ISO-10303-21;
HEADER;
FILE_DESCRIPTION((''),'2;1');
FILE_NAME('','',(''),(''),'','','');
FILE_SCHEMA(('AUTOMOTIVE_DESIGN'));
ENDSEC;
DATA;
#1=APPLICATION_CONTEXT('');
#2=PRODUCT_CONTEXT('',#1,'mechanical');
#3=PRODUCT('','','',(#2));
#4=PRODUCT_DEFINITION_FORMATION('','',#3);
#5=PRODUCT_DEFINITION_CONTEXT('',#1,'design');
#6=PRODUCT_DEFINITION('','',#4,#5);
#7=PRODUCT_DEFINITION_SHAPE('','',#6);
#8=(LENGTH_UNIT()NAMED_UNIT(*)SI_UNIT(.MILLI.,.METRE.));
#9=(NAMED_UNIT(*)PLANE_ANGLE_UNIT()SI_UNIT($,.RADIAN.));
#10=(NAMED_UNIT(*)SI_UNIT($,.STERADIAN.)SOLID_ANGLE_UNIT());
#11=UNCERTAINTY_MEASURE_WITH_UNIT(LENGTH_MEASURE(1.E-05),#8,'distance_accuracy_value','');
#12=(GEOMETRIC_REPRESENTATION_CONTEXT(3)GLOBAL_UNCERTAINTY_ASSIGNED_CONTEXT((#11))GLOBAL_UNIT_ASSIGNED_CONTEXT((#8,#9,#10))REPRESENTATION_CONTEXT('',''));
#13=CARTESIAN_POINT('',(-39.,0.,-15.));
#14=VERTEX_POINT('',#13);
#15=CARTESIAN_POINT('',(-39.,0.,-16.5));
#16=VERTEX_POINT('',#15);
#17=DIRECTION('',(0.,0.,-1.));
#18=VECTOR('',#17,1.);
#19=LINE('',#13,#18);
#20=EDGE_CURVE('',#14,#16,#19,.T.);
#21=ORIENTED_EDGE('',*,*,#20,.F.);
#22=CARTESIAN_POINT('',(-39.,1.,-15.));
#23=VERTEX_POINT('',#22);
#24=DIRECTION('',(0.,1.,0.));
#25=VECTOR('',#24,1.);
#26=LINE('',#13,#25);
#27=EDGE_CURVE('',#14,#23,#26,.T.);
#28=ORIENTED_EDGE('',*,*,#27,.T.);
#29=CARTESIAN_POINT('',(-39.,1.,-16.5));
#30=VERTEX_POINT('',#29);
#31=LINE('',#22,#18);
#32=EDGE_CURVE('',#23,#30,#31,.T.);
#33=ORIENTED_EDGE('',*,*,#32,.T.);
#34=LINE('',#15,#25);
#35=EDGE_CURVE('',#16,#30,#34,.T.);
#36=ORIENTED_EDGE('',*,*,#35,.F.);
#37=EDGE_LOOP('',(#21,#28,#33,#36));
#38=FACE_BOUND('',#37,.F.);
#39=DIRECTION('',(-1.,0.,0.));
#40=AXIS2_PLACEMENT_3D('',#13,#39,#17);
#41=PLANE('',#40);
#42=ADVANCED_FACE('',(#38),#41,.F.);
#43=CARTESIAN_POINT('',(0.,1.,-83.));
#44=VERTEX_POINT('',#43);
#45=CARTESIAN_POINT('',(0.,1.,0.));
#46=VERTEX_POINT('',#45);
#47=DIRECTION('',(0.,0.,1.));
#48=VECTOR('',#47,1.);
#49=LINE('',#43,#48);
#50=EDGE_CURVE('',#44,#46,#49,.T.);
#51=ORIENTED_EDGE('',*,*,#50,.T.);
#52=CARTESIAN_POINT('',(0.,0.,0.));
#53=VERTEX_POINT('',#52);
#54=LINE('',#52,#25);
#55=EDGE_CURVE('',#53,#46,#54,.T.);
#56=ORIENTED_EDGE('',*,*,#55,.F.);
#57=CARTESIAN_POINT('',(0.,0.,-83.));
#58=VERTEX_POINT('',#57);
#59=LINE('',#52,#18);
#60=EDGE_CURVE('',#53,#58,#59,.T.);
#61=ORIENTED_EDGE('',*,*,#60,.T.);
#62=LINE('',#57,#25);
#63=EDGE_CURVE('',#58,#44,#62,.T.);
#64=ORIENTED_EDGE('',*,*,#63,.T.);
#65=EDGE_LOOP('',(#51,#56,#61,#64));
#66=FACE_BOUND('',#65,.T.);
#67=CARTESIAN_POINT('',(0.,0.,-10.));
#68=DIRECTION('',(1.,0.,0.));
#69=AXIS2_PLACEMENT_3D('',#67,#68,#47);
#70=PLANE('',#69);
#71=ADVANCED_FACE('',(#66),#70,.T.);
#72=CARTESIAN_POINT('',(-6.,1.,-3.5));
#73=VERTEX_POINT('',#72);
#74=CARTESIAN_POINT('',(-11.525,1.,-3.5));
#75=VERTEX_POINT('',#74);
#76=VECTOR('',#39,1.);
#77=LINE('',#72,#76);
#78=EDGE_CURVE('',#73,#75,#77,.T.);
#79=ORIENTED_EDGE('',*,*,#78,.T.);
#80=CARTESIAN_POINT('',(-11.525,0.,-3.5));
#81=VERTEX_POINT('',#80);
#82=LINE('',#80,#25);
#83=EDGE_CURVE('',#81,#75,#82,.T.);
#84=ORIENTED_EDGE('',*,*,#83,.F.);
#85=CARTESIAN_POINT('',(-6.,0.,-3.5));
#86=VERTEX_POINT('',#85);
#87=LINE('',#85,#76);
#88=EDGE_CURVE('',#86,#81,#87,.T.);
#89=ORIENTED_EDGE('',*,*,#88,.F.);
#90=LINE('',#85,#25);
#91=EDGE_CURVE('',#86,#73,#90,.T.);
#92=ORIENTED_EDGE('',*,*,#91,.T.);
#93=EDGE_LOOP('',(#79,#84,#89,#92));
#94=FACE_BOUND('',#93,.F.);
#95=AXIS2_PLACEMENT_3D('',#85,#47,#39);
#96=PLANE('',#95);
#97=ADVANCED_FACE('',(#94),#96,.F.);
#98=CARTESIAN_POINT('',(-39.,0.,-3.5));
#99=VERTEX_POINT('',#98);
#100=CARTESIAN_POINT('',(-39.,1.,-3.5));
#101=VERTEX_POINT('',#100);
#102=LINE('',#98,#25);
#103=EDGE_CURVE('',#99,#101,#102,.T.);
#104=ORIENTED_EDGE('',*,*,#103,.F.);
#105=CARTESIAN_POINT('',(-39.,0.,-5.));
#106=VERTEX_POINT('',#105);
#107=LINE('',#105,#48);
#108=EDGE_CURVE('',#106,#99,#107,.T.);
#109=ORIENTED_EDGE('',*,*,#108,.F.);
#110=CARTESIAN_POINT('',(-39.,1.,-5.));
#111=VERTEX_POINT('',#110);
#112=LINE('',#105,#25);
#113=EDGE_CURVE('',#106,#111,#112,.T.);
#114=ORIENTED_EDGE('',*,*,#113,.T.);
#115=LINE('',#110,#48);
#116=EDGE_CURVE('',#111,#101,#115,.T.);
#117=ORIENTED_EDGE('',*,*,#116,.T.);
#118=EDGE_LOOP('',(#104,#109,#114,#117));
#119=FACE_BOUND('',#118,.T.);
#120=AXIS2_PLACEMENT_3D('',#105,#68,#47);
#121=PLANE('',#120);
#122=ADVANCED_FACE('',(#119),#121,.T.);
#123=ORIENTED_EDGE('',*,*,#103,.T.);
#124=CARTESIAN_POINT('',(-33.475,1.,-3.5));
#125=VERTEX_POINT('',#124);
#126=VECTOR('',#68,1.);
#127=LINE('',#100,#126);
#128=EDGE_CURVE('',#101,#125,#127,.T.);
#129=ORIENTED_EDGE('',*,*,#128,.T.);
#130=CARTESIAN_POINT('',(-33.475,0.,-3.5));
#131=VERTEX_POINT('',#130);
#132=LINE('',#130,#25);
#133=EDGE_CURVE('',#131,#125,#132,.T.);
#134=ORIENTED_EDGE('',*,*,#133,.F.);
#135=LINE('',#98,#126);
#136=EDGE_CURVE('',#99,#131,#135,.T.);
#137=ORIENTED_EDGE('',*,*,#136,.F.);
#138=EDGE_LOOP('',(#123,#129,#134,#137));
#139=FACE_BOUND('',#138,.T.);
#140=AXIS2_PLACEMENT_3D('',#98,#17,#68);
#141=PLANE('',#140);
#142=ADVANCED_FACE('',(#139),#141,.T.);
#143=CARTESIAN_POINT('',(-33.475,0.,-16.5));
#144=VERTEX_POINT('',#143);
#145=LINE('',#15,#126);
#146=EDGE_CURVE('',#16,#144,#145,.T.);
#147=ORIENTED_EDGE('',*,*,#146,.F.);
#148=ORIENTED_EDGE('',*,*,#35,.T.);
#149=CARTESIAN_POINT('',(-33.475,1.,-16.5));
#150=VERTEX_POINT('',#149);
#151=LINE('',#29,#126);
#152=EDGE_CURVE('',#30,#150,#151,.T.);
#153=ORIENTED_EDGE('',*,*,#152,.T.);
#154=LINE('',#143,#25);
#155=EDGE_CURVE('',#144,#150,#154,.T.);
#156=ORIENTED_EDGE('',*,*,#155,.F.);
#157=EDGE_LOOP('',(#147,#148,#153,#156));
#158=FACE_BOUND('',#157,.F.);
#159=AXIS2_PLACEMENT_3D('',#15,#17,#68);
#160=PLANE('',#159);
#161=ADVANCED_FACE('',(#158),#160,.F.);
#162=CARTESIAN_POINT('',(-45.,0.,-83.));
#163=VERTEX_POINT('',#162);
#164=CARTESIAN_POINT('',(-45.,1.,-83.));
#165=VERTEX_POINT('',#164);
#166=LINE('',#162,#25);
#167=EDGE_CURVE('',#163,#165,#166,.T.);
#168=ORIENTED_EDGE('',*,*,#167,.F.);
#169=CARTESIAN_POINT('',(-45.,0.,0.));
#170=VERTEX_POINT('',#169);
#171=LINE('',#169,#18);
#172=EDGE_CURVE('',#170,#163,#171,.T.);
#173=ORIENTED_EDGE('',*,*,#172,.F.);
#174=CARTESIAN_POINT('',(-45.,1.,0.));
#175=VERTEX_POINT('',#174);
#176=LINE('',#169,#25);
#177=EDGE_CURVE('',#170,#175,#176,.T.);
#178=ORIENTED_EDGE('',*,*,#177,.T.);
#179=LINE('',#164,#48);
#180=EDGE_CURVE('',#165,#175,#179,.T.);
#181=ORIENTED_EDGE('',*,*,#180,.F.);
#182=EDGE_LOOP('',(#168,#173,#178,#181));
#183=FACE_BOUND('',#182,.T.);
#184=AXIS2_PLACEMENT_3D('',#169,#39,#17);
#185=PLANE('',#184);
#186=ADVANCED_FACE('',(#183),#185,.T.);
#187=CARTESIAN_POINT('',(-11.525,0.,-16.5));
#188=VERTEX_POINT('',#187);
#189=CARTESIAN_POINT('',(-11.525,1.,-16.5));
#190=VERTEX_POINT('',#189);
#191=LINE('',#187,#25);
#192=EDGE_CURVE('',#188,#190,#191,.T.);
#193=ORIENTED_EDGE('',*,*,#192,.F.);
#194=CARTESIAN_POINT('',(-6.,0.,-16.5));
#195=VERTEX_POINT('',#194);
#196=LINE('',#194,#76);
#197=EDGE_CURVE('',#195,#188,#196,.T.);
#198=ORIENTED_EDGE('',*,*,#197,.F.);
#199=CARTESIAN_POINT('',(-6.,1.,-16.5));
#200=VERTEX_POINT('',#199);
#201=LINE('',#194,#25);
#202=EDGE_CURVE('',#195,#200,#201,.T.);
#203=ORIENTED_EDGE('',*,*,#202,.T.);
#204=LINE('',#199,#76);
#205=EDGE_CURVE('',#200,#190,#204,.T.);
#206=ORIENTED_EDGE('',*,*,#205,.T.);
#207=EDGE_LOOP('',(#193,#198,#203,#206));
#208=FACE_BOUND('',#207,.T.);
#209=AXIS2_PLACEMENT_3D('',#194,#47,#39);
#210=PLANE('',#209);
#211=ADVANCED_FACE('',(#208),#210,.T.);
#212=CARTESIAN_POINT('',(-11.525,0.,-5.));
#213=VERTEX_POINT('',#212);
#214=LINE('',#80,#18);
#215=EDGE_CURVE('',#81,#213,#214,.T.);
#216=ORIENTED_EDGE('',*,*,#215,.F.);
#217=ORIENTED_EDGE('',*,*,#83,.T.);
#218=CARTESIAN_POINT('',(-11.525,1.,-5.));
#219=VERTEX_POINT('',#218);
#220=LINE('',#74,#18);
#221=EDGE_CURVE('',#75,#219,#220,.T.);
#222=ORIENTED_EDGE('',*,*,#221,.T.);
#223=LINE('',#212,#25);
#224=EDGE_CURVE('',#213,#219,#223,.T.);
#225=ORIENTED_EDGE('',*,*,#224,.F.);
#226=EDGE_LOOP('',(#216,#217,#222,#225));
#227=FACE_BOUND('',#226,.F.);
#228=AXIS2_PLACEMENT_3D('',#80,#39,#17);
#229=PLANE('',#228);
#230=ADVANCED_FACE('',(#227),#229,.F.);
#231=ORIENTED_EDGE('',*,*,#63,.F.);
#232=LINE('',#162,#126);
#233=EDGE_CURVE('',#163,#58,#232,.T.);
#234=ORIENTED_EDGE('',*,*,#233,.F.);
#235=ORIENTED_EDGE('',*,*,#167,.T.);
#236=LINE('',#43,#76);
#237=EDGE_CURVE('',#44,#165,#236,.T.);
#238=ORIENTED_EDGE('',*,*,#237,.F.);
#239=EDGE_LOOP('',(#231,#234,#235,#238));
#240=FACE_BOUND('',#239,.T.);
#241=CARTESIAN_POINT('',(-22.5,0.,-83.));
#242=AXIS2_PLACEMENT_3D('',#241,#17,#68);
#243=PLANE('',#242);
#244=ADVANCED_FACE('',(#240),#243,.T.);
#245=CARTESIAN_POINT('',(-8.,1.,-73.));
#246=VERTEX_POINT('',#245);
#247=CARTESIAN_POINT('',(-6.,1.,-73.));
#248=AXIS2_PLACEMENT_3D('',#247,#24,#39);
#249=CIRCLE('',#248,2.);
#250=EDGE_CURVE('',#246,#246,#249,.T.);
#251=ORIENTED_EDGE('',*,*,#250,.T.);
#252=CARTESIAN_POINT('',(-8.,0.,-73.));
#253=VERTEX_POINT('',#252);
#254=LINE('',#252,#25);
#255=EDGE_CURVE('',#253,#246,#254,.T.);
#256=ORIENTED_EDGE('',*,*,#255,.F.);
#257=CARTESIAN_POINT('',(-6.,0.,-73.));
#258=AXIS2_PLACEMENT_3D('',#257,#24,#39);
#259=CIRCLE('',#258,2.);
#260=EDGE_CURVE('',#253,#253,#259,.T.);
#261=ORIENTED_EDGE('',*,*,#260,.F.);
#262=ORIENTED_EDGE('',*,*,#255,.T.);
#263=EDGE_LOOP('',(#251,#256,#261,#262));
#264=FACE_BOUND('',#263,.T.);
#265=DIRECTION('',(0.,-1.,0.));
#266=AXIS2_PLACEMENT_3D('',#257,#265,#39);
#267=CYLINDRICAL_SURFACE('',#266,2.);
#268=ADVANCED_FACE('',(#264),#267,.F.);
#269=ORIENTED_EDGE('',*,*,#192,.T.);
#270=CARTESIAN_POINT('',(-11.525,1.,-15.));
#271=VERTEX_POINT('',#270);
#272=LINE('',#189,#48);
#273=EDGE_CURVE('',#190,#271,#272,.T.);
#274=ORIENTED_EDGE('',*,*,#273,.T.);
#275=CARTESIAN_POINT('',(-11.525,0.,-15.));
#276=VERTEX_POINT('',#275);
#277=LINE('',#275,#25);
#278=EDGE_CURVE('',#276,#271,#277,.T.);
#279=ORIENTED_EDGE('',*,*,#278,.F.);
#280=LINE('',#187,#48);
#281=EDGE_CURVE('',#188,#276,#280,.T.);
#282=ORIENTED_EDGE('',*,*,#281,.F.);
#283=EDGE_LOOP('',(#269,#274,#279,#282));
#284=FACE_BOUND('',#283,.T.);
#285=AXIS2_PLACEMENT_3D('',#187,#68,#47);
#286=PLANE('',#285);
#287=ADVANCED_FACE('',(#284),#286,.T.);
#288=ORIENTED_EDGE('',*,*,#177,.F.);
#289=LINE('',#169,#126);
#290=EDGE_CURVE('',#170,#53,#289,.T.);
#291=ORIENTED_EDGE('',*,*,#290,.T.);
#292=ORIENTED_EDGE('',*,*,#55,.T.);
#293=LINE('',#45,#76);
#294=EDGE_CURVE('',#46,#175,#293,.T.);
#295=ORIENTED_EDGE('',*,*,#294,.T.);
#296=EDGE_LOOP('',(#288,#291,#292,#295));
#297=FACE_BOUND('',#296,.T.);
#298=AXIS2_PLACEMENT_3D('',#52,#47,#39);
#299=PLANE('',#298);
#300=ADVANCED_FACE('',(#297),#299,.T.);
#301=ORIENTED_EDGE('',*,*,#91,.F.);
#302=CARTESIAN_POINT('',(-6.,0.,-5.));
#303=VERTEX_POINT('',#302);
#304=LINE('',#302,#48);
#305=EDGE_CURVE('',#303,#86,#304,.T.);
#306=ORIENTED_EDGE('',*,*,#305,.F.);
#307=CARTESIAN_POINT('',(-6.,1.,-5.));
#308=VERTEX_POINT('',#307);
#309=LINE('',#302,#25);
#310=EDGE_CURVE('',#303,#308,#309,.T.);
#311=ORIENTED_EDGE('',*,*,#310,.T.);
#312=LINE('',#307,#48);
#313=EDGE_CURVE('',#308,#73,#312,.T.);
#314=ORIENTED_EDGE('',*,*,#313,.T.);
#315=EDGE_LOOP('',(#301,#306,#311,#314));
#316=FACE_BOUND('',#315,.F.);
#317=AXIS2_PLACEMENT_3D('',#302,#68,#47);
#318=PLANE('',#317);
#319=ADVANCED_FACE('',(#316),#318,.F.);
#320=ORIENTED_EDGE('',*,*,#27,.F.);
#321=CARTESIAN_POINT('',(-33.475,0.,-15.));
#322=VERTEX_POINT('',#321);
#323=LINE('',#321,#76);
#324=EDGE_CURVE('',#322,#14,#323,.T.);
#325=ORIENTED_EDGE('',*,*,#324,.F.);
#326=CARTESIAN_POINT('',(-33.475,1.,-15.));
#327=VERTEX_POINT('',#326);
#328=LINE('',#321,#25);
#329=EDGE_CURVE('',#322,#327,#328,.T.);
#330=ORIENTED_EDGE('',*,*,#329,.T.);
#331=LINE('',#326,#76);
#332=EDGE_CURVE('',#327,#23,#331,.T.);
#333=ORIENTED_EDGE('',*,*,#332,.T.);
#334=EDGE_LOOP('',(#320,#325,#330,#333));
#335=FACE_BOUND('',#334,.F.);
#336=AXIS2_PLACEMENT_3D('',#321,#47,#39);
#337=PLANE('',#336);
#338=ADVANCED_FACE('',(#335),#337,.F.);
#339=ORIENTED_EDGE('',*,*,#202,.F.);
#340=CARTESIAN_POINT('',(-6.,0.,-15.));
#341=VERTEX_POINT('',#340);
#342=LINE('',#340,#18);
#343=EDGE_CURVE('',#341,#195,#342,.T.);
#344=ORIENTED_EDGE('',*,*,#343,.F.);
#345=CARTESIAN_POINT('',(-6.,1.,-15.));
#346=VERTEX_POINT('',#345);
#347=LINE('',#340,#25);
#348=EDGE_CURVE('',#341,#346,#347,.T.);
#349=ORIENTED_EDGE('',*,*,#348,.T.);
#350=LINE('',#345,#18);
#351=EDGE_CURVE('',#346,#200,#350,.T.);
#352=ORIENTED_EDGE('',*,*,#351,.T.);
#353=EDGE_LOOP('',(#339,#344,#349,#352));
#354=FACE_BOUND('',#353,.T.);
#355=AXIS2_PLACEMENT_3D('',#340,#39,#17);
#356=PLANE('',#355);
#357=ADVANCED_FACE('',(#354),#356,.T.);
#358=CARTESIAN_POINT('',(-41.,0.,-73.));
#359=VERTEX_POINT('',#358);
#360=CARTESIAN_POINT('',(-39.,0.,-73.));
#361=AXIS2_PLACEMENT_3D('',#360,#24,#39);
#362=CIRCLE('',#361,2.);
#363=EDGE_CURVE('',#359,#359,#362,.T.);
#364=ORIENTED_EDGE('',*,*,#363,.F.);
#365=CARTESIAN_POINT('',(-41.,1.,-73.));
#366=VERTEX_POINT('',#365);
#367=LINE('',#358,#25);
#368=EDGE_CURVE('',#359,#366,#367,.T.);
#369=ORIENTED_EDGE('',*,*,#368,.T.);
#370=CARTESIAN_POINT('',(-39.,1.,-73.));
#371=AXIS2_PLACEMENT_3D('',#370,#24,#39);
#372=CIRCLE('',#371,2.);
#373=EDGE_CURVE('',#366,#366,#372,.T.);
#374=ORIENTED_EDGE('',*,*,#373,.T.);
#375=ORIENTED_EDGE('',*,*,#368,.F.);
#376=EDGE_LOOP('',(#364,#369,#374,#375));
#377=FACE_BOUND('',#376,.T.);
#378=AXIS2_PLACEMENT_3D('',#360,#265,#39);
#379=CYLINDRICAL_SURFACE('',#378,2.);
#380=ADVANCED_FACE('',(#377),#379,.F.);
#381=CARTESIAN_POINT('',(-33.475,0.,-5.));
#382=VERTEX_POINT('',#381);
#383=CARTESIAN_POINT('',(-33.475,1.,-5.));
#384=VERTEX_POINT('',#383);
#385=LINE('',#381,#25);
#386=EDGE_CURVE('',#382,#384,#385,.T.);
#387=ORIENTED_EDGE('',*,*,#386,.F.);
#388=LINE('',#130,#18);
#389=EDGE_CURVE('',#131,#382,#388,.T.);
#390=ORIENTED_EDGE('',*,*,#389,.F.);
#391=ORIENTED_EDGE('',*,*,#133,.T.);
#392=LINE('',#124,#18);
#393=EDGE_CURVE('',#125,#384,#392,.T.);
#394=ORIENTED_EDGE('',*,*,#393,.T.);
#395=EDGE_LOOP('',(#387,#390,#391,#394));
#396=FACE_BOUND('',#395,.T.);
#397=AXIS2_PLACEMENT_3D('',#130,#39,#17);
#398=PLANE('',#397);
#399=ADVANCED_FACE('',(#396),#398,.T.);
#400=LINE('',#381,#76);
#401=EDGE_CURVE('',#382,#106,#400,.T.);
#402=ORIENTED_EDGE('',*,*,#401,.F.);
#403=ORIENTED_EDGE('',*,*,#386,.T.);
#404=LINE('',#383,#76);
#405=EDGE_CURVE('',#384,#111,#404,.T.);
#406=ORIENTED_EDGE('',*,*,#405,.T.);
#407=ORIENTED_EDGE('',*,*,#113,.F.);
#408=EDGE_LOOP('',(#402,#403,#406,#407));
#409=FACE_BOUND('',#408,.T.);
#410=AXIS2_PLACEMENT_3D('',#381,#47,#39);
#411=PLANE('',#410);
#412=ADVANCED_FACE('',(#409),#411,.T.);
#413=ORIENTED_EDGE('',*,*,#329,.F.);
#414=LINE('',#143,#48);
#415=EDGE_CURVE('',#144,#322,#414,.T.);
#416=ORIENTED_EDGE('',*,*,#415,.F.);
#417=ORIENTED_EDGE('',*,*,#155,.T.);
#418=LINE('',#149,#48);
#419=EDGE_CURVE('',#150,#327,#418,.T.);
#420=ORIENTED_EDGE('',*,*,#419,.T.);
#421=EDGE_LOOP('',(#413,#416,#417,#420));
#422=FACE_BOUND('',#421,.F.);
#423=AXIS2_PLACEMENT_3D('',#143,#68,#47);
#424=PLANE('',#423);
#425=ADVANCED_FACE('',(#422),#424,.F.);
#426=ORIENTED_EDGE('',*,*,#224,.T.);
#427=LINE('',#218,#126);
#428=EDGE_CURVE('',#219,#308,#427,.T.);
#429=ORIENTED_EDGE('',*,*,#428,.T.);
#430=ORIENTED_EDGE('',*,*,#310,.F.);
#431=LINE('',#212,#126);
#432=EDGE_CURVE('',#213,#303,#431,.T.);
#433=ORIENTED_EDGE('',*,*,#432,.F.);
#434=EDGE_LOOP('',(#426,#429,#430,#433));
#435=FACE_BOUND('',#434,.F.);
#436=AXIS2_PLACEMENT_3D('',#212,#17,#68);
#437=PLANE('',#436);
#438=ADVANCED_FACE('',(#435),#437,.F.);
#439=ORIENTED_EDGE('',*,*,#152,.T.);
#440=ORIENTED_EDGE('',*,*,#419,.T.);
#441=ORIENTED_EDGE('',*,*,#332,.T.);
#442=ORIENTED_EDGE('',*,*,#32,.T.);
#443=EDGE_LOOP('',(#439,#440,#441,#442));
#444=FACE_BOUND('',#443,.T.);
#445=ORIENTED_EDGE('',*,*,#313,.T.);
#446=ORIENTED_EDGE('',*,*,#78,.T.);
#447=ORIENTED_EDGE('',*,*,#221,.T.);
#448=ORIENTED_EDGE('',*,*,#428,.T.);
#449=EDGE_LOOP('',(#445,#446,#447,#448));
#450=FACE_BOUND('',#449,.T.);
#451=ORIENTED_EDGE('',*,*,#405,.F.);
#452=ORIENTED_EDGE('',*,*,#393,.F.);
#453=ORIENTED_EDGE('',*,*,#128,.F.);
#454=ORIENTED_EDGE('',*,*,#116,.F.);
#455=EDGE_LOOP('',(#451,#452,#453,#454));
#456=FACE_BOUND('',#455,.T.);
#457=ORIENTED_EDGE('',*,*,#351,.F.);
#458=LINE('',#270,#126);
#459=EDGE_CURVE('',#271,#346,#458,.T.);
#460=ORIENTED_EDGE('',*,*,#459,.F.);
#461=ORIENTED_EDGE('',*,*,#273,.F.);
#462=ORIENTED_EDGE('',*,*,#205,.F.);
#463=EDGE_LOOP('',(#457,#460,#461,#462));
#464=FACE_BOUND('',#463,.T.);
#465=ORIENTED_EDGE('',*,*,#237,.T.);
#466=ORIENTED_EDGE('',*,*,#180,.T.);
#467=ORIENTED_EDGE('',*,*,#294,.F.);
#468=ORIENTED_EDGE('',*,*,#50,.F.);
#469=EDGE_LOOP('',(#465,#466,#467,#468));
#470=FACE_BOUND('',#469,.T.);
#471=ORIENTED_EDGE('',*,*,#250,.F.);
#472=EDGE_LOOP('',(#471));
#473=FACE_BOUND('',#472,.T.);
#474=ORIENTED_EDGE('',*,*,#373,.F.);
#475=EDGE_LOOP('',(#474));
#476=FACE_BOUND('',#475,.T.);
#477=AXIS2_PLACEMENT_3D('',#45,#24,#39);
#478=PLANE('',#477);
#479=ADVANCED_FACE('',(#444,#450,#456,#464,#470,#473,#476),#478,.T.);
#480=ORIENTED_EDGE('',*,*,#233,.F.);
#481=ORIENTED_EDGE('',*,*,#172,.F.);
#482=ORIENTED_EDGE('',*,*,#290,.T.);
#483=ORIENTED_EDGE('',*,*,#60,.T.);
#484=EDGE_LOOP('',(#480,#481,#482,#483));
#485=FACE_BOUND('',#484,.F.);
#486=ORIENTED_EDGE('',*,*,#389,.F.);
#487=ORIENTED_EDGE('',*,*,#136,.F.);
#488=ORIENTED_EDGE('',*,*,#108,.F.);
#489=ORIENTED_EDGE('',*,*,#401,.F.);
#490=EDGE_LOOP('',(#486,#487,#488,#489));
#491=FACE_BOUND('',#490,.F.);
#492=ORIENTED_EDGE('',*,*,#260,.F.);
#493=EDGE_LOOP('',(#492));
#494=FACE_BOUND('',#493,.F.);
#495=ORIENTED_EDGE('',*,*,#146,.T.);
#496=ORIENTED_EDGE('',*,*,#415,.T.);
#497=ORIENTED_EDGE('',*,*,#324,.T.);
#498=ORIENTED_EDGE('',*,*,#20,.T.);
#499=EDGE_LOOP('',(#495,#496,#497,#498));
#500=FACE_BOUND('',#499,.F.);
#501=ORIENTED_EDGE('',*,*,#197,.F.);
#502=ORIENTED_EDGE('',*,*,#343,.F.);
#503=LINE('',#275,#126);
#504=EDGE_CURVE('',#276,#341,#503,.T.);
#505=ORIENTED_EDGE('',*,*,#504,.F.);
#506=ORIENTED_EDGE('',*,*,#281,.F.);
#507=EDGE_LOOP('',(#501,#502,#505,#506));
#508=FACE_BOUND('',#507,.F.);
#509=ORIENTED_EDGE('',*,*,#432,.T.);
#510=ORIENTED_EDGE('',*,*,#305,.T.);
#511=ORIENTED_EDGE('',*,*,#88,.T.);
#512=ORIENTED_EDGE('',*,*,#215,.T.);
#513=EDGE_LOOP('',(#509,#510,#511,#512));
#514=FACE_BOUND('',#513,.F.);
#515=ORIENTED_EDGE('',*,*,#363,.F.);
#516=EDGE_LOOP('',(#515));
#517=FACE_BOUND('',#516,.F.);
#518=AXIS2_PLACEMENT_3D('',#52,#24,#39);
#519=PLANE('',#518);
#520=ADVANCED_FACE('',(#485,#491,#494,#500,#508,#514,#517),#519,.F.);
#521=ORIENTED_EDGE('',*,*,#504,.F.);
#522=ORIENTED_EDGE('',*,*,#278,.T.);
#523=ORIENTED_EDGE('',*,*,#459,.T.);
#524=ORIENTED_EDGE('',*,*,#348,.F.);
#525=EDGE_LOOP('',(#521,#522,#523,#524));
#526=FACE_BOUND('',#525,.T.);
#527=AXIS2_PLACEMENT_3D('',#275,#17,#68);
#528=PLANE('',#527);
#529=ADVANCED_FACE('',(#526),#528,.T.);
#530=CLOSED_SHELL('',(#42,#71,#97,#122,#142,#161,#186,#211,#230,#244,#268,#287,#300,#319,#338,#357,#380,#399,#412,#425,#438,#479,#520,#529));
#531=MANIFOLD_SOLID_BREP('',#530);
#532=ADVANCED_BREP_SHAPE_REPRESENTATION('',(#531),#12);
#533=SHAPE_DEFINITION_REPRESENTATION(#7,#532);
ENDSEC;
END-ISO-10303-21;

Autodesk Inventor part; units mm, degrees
ref_plane "YZ Plane" through (0, 0, 0) normal (1, 0, 0) x (0, 1, 0)
ref_plane "XZ Plane" through (0, 0, 0) normal (0, 1, 0) x (-1, 0, 0)
ref_plane "XY Plane" through (0, 0, 0) normal (0, 0, 1) x (1, 0, 0)
sketch "Sketch1" plane through (0, 0, 0) normal (0, 1, 0) x (-1, 0, 0)
  line L0 (0, 0) -> (45, 0)
  line L1 (45, 0) -> (45, -83)
  line L2 (45, -83) -> (0, -83)
  line L3 (0, -83) -> (0, 0)
  circle A0 centre (39, -73) radius 2
  line L4 (22.5, 0) -> (22.5, -83)
  circle A1 centre (6, -73) radius 2
  line L5 (45, -10) -> (0, -10)
  line L6 (6, -3.5) -> (11.525, -3.5)
  line L7 (11.525, -3.5) -> (11.525, -5)
  line L8 (11.525, -5) -> (6, -5)
  line L9 (6, -5) -> (6, -3.5)
  line L10 (6, -16.5) -> (11.525, -16.5)
  line L11 (11.525, -16.5) -> (11.525, -15)
  line L12 (11.525, -15) -> (6, -15)
  line L13 (6, -15) -> (6, -16.5)
  line L14 (39, -3.5) -> (33.475, -3.5)
  line L15 (33.475, -3.5) -> (33.475, -5)
  line L16 (33.475, -5) -> (39, -5)
  line L17 (39, -5) -> (39, -3.5)
  line L18 (39, -16.5) -> (33.475, -16.5)
  line L19 (33.475, -15) -> (39, -15)
  line L20 (39, -15) -> (39, -16.5)
  line L21 (33.475, -16.5) -> (33.475, -15)
  dimension "d0" = 45
  dimension "d1" = 83
  dimension "d2" = 10
  dimension "d3" = 6
  dimension "d9" = 4
  dimension "d13" = 45
  dimension "d22" = 20
  dimension "d23" = 6
  dimension "d24" = 10
  dimension "d25" = 1.5
extrude "Extrusion3" add sketch "Sketch1" along normal blind 1
equation "\"d13\" = d0"
properties part number "Platte1"
